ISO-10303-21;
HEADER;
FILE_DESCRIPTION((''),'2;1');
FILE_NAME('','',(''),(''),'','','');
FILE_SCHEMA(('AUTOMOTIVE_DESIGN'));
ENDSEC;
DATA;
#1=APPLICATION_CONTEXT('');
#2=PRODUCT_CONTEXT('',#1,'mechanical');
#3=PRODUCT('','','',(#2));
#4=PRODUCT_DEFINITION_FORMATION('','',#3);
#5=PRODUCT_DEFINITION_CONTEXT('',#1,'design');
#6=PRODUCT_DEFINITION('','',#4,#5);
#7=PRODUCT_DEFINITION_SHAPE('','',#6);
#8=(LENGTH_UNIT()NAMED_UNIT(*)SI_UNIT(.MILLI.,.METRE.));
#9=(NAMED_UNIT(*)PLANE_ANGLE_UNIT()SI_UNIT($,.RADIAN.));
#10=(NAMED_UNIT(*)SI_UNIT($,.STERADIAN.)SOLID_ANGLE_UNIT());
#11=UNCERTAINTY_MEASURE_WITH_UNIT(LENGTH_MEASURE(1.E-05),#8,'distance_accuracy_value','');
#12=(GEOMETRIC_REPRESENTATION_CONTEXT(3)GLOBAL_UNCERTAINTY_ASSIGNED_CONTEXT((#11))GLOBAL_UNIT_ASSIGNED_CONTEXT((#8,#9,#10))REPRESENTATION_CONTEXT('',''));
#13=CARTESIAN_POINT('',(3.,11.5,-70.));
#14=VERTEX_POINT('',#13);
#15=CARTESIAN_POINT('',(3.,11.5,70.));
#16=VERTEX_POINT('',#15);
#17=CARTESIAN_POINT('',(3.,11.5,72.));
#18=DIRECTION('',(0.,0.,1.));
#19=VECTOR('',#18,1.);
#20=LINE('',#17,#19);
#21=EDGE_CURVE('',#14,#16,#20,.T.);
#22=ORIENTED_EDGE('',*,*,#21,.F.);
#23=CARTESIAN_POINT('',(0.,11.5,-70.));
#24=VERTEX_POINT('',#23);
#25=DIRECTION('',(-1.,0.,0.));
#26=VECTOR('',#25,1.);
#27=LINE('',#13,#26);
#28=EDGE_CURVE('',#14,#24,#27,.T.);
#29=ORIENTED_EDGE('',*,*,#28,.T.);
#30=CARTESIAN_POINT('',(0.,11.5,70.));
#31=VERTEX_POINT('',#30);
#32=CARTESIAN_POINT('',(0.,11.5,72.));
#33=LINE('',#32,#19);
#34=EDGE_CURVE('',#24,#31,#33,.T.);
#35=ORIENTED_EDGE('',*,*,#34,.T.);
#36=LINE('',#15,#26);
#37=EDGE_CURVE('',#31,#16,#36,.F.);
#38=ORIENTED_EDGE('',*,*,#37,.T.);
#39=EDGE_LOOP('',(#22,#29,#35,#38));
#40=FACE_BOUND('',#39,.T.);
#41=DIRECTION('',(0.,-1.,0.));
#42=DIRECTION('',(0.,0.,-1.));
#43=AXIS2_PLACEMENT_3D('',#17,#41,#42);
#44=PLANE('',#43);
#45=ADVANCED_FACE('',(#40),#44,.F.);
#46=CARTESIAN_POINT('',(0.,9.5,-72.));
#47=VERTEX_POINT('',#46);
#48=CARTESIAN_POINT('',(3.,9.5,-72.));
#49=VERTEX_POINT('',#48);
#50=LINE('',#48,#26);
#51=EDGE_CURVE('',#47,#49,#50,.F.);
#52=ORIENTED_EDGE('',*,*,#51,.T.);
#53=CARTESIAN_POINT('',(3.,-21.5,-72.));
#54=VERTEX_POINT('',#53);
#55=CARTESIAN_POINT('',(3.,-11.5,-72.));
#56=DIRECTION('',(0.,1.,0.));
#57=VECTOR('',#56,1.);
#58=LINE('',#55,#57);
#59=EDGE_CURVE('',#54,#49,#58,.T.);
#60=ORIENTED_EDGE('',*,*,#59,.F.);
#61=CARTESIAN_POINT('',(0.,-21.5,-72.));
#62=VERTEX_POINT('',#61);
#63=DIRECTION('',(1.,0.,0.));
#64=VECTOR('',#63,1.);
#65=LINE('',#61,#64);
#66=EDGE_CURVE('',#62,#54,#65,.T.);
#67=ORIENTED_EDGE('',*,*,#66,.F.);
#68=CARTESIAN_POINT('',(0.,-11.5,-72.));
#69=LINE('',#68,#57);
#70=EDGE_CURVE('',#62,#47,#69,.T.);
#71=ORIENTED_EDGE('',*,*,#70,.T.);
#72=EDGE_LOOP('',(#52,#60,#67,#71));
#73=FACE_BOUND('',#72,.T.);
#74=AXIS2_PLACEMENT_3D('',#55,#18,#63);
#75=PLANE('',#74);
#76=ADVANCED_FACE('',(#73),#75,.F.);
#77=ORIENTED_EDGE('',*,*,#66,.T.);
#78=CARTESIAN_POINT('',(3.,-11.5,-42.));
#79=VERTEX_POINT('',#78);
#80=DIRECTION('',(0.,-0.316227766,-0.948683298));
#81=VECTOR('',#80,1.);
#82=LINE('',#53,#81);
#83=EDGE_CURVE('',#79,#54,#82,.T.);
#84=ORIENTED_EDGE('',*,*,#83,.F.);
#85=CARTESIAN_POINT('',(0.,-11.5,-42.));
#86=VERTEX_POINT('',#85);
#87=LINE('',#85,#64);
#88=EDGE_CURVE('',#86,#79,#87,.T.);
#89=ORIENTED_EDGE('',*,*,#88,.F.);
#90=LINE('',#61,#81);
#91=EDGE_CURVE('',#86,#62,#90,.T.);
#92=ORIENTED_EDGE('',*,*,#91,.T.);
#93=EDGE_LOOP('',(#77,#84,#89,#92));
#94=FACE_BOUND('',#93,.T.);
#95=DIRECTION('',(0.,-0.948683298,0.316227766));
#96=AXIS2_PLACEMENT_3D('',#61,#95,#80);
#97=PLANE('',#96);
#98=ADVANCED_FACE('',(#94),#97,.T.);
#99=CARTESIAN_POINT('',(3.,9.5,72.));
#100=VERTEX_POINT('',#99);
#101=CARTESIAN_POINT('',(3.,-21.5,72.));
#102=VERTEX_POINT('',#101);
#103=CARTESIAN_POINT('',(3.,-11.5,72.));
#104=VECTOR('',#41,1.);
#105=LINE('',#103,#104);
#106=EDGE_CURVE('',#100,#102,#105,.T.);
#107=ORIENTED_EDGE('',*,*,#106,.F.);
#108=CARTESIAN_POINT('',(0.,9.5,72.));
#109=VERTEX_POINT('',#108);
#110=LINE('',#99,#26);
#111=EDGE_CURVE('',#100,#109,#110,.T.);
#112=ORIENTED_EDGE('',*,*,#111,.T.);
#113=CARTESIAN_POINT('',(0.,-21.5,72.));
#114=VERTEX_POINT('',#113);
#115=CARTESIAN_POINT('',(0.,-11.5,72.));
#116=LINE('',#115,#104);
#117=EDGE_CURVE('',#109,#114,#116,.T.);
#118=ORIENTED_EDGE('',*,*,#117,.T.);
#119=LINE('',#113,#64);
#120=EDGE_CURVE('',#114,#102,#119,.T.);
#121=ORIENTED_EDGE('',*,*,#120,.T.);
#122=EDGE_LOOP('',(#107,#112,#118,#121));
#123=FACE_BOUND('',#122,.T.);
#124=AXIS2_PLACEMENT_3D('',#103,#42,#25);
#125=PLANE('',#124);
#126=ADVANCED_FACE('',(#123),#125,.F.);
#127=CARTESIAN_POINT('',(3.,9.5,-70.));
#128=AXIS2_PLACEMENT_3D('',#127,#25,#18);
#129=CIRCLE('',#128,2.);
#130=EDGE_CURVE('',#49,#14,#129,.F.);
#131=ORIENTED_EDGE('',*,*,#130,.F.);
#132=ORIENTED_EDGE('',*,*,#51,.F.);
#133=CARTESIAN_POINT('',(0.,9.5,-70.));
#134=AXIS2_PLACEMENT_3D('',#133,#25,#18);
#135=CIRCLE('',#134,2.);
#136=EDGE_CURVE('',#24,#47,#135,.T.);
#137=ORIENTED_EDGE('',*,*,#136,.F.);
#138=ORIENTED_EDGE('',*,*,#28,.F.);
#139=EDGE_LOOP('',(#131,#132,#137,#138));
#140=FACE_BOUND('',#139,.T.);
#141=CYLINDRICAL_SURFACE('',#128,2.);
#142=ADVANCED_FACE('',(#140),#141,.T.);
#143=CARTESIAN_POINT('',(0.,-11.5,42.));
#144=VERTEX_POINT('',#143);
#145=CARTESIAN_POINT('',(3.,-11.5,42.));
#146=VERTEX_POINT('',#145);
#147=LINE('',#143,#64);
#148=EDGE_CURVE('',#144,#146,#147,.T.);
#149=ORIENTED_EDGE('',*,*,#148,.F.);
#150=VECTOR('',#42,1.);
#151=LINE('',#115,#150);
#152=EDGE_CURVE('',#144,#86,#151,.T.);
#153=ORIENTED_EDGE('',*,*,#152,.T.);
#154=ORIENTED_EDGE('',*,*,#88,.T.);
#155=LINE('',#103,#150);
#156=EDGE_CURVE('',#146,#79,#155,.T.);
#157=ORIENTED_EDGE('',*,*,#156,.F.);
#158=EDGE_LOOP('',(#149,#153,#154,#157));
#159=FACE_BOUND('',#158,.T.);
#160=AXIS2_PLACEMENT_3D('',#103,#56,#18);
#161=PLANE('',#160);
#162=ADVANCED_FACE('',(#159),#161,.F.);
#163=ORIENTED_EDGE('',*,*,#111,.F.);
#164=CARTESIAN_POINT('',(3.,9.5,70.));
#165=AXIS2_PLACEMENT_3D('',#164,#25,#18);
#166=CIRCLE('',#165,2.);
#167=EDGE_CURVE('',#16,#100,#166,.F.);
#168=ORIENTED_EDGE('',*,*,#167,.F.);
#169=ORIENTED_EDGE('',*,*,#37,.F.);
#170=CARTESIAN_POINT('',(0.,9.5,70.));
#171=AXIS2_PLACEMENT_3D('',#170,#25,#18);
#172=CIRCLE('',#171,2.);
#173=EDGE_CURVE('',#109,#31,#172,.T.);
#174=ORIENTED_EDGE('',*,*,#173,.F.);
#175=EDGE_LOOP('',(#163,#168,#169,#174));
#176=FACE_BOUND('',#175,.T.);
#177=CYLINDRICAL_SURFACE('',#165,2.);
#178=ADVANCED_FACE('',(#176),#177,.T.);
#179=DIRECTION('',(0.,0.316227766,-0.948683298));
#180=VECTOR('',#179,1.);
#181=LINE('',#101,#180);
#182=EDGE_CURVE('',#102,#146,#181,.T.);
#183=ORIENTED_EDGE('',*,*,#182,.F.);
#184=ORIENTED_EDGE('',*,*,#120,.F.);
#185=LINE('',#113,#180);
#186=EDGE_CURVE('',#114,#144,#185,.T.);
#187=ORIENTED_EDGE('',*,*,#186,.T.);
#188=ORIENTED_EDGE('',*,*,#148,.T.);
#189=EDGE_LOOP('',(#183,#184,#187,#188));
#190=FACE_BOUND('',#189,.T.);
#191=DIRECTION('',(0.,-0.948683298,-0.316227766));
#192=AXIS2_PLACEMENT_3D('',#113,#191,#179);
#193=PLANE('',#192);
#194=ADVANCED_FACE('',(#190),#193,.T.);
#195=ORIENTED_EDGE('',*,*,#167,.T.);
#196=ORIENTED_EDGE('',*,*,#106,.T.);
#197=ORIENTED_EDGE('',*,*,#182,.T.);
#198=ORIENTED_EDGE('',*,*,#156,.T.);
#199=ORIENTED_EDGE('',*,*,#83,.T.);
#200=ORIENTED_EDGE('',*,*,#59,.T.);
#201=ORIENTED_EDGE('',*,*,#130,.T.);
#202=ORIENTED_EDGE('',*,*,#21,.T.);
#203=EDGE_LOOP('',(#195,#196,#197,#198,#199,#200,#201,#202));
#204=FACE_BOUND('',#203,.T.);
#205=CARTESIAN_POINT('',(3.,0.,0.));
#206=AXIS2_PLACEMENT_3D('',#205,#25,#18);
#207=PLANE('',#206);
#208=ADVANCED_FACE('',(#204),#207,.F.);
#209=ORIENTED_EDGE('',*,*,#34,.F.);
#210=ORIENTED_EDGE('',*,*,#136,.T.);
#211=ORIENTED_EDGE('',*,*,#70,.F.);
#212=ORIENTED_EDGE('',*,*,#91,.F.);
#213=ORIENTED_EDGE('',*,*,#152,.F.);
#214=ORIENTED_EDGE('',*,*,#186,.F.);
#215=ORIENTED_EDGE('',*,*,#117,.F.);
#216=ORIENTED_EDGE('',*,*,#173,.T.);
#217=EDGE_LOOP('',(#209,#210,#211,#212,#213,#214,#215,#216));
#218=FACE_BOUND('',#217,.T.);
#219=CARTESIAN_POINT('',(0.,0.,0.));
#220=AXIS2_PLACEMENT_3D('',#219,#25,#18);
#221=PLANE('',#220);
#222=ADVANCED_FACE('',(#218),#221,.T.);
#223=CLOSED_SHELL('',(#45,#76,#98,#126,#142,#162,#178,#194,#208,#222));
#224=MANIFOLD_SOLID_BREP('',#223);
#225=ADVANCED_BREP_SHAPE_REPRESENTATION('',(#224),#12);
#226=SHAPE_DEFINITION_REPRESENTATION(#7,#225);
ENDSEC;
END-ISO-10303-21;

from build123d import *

# Parameters (mm, degrees)
SKETCH1_W           = 144
SKETCH1_H           = 23
BOSS_EXTRUDE1_DEPTH = 3
FILLET1_R           = 2
BOSS_EXTRUDE2_DEPTH = 3


with BuildPart() as part:
    # Sketch1 → Boss-Extrude1 (new body)
    with BuildSketch(Plane(origin=(0, 0, 0), x_dir=(0, 0, -1), z_dir=(1, 0, 0))):
        Rectangle(SKETCH1_W, SKETCH1_H)
    extrude(amount=BOSS_EXTRUDE1_DEPTH)

    # Fillet1
    fillet1_edges = [part.edges().sort_by_distance(p)[0] for p in [
        (1.5, 11.5, 72),
        (1.5, 11.5, -72),
    ]]
    fillet(fillet1_edges, radius=FILLET1_R)

    # Sketch2 → Boss-Extrude2 (add)
    with BuildSketch(Plane(origin=(3, 0, 0), x_dir=(0, 0, -1), z_dir=(1, 0, 0))):
        Polygon((-72, -11.5), (-72, -21.5), (-42, -11.5), align=None)
        Polygon((72, -11.5), (72, -21.5), (42, -11.5), align=None)
    extrude(amount=-BOSS_EXTRUDE2_DEPTH)


solid = part.part
